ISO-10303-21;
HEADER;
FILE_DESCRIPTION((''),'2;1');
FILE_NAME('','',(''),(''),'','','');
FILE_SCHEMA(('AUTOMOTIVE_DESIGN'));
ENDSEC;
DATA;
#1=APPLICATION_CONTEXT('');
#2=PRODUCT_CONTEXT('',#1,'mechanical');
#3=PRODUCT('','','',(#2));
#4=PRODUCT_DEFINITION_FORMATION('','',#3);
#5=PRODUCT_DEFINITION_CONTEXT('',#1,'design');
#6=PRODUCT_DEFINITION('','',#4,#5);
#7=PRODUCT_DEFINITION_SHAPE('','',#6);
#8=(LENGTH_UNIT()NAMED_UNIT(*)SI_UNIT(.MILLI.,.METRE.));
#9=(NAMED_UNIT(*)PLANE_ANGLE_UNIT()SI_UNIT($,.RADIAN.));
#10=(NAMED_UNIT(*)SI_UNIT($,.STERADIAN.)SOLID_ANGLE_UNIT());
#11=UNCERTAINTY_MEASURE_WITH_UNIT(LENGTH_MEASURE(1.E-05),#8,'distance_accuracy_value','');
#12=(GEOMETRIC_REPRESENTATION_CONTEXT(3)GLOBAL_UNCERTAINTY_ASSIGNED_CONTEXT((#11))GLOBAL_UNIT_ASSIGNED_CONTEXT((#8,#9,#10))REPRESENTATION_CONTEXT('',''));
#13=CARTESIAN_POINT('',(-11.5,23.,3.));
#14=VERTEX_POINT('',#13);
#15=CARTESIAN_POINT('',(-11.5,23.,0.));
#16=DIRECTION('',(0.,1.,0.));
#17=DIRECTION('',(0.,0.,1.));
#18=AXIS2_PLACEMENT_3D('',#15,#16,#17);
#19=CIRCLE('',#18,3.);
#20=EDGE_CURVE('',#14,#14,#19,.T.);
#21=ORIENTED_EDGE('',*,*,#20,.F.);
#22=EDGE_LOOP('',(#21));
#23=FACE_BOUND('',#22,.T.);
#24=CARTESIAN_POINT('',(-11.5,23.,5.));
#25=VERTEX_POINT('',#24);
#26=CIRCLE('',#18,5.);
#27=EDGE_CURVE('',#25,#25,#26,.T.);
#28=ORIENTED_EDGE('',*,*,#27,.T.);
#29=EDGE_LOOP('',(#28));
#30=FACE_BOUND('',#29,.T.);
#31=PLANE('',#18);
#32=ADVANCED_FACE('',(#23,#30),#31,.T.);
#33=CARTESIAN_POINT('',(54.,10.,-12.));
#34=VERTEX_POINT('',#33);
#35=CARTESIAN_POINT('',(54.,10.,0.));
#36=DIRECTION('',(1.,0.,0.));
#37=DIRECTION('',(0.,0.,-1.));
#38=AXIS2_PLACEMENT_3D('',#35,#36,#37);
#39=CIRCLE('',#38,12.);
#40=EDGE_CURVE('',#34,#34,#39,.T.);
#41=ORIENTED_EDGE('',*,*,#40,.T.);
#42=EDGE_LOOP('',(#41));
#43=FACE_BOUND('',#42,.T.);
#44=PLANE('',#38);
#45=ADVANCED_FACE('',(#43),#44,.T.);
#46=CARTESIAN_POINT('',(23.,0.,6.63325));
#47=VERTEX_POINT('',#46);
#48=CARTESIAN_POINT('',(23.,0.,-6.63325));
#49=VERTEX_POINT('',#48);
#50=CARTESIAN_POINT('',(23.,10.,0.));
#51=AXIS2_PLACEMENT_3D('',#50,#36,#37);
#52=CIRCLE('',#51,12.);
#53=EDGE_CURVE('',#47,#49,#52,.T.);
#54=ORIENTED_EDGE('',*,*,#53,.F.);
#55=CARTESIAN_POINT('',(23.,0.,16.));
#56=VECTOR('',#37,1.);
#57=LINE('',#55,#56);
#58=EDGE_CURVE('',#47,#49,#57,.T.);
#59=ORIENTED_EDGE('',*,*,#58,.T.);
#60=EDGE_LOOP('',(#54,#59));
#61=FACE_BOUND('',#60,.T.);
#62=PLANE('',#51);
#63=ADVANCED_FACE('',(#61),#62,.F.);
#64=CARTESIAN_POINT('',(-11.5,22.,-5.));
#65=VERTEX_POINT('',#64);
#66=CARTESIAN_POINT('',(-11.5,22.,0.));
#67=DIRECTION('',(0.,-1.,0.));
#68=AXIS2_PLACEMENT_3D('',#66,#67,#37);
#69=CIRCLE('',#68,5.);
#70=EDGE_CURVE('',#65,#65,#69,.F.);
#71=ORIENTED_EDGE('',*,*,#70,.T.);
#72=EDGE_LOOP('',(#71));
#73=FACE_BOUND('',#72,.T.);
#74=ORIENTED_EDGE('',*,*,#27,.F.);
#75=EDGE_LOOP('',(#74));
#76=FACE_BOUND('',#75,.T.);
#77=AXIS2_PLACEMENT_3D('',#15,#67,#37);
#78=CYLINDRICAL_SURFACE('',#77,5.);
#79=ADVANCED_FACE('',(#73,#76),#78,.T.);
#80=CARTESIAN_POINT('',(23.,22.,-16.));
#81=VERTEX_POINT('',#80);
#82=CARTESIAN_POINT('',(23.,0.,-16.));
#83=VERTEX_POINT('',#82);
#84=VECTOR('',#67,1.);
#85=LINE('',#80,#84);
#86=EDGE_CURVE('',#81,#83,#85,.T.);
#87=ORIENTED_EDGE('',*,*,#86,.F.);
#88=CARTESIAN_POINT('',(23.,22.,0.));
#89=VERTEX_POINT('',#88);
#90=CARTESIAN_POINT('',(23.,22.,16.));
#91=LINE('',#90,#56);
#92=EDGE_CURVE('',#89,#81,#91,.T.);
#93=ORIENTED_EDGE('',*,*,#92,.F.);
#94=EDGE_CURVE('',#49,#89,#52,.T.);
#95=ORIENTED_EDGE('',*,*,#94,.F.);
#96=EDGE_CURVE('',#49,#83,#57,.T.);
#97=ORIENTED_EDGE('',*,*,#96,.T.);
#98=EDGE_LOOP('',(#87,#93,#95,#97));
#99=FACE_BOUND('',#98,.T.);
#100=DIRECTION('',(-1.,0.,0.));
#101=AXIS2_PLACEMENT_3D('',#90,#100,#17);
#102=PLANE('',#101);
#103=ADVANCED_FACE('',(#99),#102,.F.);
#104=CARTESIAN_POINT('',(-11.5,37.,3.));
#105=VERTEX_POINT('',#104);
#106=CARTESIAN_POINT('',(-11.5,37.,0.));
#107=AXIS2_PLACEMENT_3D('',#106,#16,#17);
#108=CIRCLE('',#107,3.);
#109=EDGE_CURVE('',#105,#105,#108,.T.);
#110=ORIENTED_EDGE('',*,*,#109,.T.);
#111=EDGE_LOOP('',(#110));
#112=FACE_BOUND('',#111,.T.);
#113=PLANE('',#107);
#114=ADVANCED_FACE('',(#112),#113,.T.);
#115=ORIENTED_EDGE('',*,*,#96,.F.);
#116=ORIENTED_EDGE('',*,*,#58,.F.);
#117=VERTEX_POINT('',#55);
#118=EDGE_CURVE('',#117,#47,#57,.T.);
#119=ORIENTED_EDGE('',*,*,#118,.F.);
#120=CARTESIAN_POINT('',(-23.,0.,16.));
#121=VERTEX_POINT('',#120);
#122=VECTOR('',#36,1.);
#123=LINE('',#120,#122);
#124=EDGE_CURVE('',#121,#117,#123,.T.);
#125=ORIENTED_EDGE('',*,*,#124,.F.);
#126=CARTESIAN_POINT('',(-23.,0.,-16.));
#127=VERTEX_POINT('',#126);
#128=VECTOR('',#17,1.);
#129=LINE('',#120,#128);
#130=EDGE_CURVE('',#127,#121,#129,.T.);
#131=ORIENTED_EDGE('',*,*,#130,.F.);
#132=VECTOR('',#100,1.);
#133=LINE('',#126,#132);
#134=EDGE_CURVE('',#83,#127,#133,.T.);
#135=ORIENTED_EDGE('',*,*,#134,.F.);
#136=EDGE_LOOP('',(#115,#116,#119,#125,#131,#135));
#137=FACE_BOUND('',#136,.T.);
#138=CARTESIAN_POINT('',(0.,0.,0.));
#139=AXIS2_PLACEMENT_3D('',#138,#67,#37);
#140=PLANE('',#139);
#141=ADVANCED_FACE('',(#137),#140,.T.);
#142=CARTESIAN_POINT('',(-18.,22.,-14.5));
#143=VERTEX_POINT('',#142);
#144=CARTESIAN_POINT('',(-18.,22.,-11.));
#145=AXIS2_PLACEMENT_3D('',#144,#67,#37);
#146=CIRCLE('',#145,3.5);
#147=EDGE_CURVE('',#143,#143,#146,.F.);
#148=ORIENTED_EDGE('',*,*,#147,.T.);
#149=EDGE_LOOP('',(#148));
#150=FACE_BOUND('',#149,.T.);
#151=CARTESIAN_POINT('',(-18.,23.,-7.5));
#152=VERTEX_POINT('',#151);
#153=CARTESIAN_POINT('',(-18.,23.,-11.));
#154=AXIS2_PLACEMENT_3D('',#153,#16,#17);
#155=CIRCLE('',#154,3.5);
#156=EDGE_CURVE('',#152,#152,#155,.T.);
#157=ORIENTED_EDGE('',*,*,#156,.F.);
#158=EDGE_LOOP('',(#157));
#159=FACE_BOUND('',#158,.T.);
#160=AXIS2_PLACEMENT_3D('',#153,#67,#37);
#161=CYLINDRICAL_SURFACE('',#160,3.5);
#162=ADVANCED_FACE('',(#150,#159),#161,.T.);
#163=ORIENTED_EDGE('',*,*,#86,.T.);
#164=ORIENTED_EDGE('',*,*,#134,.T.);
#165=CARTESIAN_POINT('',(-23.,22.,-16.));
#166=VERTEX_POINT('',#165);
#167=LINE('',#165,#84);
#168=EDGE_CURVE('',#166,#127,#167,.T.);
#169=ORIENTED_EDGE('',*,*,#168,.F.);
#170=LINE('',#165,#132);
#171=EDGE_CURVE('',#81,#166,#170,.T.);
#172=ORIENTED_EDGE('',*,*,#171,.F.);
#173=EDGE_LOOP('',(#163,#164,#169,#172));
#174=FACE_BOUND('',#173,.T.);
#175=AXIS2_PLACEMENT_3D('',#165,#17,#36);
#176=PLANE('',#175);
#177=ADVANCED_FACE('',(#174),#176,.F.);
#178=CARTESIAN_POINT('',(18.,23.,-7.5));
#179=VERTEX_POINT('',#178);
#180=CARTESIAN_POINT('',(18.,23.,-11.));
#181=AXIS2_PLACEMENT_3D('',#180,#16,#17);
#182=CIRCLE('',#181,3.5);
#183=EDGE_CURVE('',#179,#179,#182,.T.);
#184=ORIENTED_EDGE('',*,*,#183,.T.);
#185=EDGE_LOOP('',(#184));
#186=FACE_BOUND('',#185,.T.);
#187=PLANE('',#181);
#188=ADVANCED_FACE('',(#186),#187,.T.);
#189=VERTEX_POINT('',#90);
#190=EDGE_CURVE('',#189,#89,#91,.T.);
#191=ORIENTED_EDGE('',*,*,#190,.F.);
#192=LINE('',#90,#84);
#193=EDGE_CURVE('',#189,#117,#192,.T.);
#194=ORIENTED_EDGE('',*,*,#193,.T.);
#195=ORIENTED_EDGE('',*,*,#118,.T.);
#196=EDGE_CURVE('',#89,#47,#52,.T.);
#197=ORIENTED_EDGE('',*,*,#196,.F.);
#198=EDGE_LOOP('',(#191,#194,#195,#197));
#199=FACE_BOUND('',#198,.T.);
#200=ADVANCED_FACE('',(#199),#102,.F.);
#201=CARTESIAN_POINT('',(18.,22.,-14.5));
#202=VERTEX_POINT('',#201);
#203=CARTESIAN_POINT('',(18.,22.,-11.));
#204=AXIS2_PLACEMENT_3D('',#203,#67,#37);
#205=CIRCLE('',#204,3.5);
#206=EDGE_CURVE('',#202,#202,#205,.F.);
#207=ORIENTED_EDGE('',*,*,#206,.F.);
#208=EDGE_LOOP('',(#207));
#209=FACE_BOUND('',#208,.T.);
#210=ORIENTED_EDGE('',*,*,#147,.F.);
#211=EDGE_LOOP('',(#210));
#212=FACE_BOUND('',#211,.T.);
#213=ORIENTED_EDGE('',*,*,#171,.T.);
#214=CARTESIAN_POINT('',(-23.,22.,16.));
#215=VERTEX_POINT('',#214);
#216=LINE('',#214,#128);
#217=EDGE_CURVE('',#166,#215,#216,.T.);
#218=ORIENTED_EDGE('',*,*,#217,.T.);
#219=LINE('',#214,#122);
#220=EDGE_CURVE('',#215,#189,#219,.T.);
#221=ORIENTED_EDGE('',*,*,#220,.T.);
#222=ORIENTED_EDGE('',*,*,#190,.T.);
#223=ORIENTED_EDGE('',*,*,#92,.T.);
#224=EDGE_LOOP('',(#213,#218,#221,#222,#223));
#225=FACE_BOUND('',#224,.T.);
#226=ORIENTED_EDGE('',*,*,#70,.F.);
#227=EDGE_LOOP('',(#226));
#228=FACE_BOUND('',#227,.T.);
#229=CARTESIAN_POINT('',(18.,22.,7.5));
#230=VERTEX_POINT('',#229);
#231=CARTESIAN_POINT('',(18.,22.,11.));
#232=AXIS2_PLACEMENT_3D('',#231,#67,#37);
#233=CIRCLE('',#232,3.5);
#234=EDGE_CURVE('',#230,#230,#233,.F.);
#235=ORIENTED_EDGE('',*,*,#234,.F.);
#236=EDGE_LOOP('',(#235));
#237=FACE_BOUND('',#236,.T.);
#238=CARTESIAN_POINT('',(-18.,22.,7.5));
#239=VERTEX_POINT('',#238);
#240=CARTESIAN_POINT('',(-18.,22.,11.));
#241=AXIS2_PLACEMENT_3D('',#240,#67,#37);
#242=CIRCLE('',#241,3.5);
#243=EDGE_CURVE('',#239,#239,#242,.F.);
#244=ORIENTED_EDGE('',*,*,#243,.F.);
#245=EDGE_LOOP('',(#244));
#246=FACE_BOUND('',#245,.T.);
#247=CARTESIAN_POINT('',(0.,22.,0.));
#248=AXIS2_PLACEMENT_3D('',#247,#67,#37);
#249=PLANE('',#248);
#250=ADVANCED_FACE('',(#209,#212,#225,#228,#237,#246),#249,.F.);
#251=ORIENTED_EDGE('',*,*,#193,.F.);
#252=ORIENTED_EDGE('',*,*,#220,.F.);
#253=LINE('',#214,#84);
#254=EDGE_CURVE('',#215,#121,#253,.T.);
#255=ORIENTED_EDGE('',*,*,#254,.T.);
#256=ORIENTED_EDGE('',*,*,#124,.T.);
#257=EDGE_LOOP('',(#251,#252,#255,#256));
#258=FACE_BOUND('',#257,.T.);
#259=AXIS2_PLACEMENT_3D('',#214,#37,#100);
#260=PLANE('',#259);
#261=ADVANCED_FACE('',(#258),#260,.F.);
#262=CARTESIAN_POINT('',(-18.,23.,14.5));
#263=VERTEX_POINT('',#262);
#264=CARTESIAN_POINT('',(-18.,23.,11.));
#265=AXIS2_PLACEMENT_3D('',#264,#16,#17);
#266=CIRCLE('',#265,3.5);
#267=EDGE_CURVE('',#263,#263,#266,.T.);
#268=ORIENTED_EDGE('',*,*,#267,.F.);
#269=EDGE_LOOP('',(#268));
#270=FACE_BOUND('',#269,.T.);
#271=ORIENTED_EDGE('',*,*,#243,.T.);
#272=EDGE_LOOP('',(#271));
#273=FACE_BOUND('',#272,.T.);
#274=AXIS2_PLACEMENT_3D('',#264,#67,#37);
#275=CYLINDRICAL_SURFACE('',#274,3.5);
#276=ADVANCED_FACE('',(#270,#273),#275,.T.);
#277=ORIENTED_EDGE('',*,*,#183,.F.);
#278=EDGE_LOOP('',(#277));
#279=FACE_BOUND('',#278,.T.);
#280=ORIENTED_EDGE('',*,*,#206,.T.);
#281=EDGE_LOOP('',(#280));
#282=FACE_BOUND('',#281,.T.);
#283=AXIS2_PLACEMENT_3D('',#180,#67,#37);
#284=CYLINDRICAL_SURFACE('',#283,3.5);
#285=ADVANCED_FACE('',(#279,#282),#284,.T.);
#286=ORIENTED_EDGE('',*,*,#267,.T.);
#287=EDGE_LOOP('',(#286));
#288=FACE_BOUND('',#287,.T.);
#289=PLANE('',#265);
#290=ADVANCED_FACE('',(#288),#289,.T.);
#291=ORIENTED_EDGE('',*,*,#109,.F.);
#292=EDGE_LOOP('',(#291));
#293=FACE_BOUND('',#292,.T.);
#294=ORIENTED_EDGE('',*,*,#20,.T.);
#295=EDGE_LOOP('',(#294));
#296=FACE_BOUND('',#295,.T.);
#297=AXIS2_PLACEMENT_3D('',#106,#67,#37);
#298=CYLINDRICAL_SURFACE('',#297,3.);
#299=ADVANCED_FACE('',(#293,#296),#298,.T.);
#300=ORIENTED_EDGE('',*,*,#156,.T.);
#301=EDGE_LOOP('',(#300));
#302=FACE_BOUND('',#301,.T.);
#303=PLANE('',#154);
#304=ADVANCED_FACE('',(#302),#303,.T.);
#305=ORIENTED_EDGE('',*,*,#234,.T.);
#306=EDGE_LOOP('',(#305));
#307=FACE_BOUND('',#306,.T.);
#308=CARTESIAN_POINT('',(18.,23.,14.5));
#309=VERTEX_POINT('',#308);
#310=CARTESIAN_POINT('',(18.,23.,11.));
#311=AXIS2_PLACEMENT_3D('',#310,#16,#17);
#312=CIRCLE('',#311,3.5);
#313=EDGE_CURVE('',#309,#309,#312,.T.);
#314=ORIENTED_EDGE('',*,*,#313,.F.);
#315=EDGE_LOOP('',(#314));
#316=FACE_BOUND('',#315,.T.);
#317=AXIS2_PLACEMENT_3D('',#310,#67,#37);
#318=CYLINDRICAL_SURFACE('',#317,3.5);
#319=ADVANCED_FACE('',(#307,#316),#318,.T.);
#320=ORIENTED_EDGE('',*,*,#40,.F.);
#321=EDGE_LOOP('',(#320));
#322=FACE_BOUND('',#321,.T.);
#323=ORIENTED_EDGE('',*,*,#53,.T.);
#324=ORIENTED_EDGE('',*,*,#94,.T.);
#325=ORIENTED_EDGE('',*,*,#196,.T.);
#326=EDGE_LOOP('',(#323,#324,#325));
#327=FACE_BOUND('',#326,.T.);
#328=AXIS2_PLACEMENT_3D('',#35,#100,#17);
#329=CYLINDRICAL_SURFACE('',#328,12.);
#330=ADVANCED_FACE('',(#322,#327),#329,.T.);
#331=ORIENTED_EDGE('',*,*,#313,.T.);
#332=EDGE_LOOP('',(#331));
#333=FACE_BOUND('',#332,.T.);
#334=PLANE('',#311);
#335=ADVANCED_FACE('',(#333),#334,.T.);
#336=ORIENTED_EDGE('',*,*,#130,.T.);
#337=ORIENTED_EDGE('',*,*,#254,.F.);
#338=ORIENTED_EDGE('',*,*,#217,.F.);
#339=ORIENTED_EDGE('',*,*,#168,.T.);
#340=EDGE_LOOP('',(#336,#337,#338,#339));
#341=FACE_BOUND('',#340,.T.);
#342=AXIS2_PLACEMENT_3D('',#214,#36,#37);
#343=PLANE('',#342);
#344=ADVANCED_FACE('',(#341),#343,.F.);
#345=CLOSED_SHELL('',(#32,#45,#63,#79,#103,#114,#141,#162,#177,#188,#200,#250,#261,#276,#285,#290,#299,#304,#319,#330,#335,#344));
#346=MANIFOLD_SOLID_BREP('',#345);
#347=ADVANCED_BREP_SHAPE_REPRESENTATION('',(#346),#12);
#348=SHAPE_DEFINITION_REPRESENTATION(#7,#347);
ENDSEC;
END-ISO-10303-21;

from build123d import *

# Parameters (mm, degrees)
SKETCH_1_W      = 46
SKETCH_1_H      = 32
EXTRUDE_1_DEPTH = 22
SKETCH_2_R      = 12
EXTRUDE_2_DEPTH = 31
SKETCH_3_R      = 5
EXTRUDE_3_DEPTH = 1
SKETCH_4_R      = 3
EXTRUDE_4_DEPTH = 14
SKETCH_5_R      = 3.5
EXTRUDE_5_DEPTH = 1


with BuildPart() as part:
    # Эскиз1 → Бобышка-Вытянуть1 (new body)
    with BuildSketch(Plane(origin=(0, 0, 0), x_dir=(1, 0, 0), z_dir=(0, 1, 0))):
        Rectangle(SKETCH_1_W, SKETCH_1_H)
    extrude(amount=EXTRUDE_1_DEPTH)

    # Эскиз2 → Бобышка-Вытянуть2 (add)
    with BuildSketch(Plane(origin=(23, 0, 0), x_dir=(0, 0, -1), z_dir=(1, 0, 0))):
        with Locations(Location((0, 10, 0), (0, 0, 236.442690238))):
            Circle(SKETCH_2_R)
    extrude(amount=EXTRUDE_2_DEPTH)

    # Эскиз3 → Бобышка-Вытянуть3 (add)
    with BuildSketch(Plane(origin=(0, 22, 0), x_dir=(1, 0, 0), z_dir=(0, 1, 0))):
        with Locations(Location((-11.5, 0, 0), (0, 0, 90))):
            Circle(SKETCH_3_R)
    extrude(amount=EXTRUDE_3_DEPTH)

    # Эскиз4 → Бобышка-Вытянуть4 (add)
    with BuildSketch(Plane(origin=(0, 23, 0), x_dir=(1, 0, 0), z_dir=(0, 1, 0))):
        with Locations(Location((-11.5, 0, 0), (0, 0, 270))):
            Circle(SKETCH_4_R)
    extrude(amount=EXTRUDE_4_DEPTH)

    # Эскиз5 → Бобышка-Вытянуть5 (add)
    with BuildSketch(Plane(origin=(0, 22, 0), x_dir=(1, 0, 0), z_dir=(0, 1, 0))):
        with Locations(Location((18, 11, 0), (0, 0, 90))):
            Circle(SKETCH_5_R)
        with Locations(Location((18, -11, 0), (0, 0, 90))):
            Circle(SKETCH_5_R)
        with Locations(Location((-18, -11, 0), (0, 0, 90))):
            Circle(SKETCH_5_R)
        with Locations(Location((-18, 11, 0), (0, 0, 90))):
            Circle(SKETCH_5_R)
    extrude(amount=EXTRUDE_5_DEPTH)


solid = part.part
